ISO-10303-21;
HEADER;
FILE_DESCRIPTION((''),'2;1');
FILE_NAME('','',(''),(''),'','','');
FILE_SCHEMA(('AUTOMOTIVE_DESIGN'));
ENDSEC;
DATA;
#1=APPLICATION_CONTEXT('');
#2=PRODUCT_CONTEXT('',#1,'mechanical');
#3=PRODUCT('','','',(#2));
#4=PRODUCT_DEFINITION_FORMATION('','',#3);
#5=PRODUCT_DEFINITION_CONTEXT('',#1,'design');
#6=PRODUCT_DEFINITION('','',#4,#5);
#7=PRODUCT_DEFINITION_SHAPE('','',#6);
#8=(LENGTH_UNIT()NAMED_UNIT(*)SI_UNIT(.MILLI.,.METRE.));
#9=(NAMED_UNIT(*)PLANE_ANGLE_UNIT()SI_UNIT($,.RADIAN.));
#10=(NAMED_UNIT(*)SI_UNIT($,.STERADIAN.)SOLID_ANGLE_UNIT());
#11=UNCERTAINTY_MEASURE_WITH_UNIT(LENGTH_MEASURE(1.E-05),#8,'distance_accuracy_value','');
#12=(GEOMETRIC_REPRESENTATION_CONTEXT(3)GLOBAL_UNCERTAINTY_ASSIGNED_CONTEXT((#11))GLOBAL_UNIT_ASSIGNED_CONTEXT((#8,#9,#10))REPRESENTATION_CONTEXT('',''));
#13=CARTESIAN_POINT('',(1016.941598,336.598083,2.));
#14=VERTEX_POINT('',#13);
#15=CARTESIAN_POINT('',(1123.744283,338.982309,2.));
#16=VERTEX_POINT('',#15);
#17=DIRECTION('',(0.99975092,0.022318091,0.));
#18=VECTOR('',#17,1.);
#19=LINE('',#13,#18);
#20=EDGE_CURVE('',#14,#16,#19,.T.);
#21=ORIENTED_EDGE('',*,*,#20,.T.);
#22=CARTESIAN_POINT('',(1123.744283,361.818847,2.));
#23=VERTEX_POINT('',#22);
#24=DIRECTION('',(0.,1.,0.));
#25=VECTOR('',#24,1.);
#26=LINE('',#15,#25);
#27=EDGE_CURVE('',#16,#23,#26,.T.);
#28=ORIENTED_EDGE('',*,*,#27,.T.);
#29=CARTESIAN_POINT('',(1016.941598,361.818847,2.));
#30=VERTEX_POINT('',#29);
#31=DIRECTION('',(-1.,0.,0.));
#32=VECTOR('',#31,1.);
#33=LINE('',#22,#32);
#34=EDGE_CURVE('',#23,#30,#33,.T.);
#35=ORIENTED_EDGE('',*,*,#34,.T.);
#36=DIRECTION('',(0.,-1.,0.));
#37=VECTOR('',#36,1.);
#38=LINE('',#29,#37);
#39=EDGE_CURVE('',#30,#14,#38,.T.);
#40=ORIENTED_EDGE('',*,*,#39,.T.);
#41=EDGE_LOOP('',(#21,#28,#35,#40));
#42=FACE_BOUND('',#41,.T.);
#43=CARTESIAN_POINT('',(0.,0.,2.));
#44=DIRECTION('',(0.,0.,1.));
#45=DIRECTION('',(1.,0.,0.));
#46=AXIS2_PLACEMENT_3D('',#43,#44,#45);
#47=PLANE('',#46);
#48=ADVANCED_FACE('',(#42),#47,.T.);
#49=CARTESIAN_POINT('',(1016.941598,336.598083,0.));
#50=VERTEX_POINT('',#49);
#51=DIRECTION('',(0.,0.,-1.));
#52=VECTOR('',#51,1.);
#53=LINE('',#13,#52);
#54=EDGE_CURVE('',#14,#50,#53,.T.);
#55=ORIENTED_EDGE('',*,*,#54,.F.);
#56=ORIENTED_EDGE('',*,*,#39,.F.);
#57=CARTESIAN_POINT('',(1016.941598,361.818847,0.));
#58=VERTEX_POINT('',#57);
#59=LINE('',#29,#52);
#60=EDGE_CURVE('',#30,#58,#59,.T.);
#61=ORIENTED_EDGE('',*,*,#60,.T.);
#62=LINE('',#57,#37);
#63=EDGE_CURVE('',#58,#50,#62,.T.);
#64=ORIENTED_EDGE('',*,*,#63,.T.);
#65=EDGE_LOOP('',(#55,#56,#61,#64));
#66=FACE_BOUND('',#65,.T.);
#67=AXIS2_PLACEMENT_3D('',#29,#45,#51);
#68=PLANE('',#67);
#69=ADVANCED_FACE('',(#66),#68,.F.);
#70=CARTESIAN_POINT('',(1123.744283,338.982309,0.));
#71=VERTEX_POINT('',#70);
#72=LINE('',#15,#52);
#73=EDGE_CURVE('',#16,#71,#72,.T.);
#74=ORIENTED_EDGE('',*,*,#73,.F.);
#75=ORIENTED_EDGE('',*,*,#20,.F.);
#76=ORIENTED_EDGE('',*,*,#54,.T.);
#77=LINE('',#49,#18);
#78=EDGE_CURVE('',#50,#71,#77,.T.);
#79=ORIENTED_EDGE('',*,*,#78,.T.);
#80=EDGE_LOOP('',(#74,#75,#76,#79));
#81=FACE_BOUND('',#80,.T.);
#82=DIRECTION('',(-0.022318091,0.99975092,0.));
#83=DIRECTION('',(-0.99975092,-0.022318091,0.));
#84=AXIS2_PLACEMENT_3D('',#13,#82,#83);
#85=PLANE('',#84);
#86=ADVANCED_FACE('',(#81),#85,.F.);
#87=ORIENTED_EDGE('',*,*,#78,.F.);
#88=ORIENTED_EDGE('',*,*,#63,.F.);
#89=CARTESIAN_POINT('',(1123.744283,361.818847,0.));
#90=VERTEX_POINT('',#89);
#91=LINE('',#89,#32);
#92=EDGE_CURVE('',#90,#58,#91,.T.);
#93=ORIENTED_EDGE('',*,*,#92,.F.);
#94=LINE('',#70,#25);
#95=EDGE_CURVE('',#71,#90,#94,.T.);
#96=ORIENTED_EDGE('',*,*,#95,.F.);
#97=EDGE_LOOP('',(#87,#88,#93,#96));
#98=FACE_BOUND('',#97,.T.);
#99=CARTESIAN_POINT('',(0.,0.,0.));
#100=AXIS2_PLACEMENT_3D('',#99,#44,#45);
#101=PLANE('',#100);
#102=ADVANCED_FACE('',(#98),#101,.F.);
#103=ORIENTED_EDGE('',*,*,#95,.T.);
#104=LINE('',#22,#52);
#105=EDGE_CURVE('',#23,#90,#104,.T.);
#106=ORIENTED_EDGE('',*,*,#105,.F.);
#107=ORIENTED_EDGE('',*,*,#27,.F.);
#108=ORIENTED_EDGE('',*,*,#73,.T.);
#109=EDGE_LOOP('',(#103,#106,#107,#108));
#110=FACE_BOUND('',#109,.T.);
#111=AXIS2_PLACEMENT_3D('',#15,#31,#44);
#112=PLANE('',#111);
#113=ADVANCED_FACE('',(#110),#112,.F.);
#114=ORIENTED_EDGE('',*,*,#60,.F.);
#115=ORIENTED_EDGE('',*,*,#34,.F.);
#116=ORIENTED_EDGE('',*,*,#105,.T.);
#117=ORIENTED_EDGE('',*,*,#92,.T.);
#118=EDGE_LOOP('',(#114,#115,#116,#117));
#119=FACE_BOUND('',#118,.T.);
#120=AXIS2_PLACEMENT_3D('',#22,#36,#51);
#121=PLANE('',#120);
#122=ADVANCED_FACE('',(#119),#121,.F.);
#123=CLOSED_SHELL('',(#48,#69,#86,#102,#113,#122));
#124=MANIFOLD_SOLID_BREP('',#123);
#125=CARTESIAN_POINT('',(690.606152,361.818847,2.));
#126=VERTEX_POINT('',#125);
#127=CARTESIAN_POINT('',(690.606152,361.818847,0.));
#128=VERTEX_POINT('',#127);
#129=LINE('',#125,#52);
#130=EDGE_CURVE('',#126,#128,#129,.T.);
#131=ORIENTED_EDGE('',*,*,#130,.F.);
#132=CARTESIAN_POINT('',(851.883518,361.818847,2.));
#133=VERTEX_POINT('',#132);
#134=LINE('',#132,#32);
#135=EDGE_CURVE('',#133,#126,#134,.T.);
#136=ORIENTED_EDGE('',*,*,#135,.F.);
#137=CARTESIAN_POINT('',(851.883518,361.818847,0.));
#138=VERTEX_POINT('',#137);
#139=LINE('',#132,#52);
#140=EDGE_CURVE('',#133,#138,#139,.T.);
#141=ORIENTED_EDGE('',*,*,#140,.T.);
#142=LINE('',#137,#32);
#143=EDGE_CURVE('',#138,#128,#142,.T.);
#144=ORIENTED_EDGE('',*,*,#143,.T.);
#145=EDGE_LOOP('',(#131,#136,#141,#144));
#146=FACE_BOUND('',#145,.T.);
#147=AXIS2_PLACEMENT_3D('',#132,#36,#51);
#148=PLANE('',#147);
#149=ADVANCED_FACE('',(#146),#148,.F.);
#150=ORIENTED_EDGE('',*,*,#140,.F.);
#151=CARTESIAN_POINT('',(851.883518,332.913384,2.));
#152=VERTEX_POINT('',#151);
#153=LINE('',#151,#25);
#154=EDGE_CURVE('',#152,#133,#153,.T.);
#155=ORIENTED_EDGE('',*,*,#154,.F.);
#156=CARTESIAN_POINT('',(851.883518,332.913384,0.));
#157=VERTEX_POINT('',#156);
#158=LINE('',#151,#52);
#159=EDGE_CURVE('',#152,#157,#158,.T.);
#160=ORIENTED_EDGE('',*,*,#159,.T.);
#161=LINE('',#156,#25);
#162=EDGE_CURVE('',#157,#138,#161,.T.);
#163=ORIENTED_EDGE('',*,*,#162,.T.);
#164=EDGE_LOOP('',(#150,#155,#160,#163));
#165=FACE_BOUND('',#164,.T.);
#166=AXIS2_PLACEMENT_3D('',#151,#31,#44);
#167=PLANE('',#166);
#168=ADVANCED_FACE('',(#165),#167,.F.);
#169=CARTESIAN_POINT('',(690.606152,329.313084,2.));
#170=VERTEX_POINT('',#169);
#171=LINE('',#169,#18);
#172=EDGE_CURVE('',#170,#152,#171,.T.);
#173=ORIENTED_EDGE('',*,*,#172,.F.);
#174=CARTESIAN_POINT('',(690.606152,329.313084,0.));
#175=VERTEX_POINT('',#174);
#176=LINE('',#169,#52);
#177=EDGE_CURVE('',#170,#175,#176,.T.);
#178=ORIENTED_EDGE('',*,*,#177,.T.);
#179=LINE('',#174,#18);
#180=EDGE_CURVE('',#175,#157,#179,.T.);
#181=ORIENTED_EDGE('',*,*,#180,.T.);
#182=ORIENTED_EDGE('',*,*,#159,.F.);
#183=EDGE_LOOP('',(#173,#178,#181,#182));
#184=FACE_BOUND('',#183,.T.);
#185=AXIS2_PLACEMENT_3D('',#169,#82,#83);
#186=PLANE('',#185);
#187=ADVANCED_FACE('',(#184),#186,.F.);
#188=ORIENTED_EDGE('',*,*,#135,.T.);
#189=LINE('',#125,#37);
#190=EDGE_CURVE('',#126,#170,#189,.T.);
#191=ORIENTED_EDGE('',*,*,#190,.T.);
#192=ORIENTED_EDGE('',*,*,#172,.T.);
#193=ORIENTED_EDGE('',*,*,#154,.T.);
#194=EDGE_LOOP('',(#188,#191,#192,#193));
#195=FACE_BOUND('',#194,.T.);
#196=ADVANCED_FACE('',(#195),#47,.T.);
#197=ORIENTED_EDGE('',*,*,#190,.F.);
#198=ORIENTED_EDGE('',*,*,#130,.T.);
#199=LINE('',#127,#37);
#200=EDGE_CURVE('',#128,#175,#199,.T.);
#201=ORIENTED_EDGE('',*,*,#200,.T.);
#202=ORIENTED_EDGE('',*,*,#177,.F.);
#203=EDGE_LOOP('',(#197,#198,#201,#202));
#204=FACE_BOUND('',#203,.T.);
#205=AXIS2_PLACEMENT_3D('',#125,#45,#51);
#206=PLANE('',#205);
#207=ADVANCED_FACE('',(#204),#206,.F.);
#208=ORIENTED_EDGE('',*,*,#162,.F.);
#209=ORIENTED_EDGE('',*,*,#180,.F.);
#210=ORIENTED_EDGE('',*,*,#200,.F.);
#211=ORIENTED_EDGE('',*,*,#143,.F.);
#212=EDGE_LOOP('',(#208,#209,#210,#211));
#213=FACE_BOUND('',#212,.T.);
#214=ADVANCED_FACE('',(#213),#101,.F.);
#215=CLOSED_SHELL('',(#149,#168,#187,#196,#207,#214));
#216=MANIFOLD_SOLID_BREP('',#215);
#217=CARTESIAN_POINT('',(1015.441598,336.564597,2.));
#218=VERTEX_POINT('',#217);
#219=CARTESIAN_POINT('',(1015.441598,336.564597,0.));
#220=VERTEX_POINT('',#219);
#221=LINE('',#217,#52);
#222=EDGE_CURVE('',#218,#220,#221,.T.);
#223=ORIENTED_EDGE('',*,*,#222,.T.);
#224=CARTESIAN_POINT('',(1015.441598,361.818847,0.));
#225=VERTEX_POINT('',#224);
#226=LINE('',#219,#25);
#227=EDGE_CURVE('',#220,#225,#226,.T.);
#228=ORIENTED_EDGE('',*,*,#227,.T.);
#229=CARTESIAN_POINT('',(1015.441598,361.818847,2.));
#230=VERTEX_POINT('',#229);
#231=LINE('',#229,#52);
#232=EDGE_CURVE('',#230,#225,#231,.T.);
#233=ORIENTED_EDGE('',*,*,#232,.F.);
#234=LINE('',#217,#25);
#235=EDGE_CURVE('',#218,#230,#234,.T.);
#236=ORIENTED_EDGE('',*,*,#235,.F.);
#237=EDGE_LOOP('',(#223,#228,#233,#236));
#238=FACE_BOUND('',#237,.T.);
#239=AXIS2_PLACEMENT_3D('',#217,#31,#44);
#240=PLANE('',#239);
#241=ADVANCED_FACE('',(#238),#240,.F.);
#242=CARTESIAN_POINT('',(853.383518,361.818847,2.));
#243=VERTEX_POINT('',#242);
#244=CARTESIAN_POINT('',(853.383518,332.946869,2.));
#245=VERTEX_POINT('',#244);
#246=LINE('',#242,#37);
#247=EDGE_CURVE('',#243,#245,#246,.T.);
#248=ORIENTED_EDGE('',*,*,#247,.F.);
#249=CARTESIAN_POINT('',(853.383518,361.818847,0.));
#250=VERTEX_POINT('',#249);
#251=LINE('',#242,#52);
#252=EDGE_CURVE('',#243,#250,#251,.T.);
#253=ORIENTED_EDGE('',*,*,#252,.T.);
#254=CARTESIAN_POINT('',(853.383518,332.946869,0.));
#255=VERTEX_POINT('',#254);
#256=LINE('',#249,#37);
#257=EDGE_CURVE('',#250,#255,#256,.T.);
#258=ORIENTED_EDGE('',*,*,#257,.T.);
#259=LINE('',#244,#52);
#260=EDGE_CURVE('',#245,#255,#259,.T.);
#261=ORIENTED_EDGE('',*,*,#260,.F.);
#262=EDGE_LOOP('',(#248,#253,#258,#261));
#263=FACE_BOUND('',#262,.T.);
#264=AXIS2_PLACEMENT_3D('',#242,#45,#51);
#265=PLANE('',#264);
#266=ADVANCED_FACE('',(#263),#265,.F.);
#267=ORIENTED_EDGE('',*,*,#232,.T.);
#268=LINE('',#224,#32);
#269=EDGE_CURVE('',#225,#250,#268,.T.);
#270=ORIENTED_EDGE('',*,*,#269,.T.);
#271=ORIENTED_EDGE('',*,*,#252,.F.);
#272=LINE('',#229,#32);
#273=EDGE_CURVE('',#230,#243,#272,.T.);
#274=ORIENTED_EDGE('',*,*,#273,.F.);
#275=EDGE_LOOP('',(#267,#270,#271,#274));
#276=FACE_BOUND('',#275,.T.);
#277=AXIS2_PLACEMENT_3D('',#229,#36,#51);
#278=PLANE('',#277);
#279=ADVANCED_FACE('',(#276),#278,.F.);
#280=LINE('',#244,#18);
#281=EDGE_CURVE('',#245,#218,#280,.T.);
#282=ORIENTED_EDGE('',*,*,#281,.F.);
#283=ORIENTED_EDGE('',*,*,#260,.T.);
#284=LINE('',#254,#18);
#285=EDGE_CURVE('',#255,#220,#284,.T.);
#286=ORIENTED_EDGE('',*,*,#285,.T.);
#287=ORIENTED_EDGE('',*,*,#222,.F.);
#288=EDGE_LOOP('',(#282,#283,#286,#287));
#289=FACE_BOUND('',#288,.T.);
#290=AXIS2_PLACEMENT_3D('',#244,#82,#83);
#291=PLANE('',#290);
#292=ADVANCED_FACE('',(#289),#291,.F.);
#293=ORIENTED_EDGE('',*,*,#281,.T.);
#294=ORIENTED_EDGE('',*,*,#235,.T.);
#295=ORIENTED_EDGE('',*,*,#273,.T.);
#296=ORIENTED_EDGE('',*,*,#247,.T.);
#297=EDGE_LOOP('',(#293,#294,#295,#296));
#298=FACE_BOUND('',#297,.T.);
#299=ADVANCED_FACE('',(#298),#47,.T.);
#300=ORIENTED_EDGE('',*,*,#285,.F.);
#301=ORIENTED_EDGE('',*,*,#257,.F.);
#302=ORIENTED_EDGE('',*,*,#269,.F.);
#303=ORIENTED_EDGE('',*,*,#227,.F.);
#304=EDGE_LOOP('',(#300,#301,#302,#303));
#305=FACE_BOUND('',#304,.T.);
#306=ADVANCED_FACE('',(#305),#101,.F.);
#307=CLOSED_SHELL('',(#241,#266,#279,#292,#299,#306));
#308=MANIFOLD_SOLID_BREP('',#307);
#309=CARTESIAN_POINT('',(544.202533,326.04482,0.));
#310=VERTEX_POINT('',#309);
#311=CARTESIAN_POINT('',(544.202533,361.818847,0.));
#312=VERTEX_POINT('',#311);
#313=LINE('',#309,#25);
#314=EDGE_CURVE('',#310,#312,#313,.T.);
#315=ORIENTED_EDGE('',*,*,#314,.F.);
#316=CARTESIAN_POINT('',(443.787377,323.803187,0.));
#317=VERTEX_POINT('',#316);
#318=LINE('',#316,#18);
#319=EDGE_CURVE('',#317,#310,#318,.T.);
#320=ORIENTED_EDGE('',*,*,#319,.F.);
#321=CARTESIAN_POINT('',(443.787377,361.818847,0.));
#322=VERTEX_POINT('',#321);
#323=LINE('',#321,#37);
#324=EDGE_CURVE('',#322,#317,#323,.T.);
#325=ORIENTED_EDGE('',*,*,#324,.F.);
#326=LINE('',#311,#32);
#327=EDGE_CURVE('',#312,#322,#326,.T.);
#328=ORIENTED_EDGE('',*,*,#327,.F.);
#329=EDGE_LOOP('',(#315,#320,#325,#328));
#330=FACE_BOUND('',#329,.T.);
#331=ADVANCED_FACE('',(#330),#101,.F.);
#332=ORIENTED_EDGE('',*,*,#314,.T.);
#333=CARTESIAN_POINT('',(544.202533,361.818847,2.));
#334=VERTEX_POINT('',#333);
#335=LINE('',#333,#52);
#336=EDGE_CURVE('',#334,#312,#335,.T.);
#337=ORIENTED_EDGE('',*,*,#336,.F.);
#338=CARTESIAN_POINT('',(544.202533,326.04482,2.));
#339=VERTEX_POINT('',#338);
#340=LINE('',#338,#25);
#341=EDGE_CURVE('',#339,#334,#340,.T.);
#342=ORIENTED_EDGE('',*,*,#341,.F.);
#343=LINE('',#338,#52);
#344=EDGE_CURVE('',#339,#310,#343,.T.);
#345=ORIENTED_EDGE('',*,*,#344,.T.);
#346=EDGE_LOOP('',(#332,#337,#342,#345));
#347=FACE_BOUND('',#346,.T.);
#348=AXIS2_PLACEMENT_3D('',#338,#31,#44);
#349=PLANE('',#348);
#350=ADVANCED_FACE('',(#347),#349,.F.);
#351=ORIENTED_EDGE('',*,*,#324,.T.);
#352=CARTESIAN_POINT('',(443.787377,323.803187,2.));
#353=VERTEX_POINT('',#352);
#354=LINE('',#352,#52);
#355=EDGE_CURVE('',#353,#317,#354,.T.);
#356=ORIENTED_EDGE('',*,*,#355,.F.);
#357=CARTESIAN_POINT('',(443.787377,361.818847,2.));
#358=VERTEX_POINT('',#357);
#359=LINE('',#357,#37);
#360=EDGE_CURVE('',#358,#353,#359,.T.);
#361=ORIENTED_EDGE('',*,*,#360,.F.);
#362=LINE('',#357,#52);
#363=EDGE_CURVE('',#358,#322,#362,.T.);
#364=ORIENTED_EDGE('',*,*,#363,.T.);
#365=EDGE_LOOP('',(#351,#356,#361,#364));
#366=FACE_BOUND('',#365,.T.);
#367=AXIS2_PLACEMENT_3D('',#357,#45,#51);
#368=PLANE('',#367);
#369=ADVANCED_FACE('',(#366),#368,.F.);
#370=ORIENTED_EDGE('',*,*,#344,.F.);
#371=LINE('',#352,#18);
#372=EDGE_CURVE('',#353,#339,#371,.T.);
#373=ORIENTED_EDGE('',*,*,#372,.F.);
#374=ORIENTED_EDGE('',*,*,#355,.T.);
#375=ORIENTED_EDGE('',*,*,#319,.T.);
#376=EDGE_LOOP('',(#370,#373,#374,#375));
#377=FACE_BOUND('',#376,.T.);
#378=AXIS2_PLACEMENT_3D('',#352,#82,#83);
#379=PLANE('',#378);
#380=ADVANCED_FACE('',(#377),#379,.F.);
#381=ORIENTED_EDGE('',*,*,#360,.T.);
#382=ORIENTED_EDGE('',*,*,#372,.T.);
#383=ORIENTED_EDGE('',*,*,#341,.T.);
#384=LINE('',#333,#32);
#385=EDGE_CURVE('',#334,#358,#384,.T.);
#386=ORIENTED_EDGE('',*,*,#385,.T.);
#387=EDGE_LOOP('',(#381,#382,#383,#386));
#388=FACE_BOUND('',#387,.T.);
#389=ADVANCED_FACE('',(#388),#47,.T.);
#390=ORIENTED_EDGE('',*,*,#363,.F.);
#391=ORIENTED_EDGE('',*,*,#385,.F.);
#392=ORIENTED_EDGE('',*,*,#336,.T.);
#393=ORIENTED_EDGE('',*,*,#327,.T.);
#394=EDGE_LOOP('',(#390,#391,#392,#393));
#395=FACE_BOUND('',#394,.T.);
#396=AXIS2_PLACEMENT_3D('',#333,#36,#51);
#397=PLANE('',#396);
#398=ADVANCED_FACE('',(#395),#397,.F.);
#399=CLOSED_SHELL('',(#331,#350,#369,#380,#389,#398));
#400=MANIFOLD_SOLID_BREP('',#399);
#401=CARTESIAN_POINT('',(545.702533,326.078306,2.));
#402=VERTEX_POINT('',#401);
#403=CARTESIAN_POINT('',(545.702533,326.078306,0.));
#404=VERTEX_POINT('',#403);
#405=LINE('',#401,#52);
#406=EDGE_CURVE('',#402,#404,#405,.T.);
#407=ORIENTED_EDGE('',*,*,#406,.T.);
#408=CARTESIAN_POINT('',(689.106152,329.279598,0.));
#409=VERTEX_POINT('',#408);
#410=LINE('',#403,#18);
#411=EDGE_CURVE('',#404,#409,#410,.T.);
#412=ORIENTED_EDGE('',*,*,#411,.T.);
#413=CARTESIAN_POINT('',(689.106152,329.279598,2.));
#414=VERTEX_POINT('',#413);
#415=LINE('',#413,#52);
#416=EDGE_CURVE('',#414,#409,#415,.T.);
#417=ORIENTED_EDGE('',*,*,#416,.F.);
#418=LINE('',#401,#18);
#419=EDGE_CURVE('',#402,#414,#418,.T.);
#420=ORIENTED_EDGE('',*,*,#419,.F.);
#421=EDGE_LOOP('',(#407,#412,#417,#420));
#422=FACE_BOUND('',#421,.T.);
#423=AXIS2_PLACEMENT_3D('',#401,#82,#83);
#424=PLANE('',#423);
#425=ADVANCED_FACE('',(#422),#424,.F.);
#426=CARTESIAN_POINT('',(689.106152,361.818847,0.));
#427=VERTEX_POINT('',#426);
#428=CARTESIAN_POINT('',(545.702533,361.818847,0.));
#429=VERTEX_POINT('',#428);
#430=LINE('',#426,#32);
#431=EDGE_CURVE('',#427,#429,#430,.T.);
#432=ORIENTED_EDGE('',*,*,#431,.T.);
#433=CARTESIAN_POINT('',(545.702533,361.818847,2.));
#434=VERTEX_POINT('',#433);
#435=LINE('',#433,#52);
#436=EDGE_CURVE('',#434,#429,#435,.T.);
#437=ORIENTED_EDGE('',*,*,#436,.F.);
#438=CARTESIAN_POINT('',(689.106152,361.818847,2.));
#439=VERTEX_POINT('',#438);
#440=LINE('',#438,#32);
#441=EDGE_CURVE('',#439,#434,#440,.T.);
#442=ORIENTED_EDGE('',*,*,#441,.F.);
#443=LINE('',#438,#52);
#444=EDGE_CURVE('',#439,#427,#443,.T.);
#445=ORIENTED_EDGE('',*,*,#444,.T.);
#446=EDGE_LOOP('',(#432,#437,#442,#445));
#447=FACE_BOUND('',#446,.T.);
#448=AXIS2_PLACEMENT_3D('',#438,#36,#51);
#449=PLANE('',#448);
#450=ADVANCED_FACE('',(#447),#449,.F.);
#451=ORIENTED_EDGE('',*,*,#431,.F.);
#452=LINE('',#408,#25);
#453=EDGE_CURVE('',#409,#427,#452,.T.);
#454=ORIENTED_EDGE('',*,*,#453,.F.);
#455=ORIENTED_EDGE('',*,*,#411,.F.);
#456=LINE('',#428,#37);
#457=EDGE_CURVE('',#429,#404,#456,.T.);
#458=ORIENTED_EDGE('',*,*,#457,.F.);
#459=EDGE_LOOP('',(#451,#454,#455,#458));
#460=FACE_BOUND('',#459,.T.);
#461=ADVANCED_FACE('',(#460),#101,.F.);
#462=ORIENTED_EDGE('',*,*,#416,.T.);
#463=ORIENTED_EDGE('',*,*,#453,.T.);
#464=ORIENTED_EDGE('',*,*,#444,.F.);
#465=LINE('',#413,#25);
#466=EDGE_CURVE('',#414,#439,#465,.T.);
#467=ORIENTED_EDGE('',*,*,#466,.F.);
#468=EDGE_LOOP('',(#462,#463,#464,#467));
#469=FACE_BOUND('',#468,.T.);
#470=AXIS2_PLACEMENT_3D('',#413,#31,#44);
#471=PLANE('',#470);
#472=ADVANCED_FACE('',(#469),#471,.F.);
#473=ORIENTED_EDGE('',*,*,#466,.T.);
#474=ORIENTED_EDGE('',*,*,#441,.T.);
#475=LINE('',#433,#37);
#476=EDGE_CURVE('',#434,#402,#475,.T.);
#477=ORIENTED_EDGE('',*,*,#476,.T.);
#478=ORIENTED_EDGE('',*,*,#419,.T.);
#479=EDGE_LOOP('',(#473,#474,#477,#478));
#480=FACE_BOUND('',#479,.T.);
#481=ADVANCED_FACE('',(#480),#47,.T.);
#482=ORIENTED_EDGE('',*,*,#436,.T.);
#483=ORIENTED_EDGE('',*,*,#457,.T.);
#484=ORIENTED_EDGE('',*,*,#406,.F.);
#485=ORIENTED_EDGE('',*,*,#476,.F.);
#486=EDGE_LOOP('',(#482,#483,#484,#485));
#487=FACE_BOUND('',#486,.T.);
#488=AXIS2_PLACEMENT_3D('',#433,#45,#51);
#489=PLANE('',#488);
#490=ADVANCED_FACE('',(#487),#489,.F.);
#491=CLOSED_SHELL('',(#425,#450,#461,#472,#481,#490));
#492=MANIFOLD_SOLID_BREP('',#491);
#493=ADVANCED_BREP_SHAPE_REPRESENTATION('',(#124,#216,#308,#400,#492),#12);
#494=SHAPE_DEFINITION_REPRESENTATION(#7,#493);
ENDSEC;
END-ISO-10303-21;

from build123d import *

# Parameters (mm, degrees)
EXTRUDE_1_DEPTH   = 2
EXTRUDE_1_2_DEPTH = 2
EXTRUDE_1_3_DEPTH = 2
EXTRUDE_1_4_DEPTH = 2
EXTRUDE_1_5_DEPTH = 2


with BuildPart() as part:
    # Model → 凸台-拉伸1 (new body)
    with BuildSketch(Plane.XY):
        Polygon((443.787377051, 361.818846768), (443.787377051, 323.803187424), (544.202532921, 326.044820391), (544.202532921, 361.818846768), align=None)
    extrude(amount=EXTRUDE_1_DEPTH)


with BuildPart() as body_2:
    # Model → Extrude 1 2 (new body)
    with BuildSketch(Plane.XY):
        Polygon((545.702532921, 361.818846768), (545.702532921, 326.078305869), (689.106151826, 329.279598312), (689.106151826, 361.818846768), align=None)
    extrude(amount=EXTRUDE_1_2_DEPTH)


with BuildPart() as body_3:
    # Model → Extrude 1 3 (new body)
    with BuildSketch(Plane.XY):
        Polygon((690.606151826, 361.818846768), (690.606151826, 329.31308379), (851.883517512, 332.913383532), (851.883517512, 361.818846768), align=None)
    extrude(amount=EXTRUDE_1_3_DEPTH)


with BuildPart() as body_4:
    # Model → Extrude 1 4 (new body)
    with BuildSketch(Plane.XY):
        Polygon((853.383517512, 361.818846768), (853.383517512, 332.94686901), (1015.441597844, 336.564597153), (1015.441597844, 361.818846768), align=None)
    extrude(amount=EXTRUDE_1_4_DEPTH)


with BuildPart() as body_5:
    # Model → Extrude 1 5 (new body)
    with BuildSketch(Plane.XY):
        Polygon((1016.941597844, 361.818846768), (1016.941597844, 336.598082631), (1123.744283191, 338.982308581), (1123.744283191, 361.818846768), align=None)
    extrude(amount=EXTRUDE_1_5_DEPTH)


solid = Compound([part.part, body_2.part, body_3.part, body_4.part, body_5.part])
